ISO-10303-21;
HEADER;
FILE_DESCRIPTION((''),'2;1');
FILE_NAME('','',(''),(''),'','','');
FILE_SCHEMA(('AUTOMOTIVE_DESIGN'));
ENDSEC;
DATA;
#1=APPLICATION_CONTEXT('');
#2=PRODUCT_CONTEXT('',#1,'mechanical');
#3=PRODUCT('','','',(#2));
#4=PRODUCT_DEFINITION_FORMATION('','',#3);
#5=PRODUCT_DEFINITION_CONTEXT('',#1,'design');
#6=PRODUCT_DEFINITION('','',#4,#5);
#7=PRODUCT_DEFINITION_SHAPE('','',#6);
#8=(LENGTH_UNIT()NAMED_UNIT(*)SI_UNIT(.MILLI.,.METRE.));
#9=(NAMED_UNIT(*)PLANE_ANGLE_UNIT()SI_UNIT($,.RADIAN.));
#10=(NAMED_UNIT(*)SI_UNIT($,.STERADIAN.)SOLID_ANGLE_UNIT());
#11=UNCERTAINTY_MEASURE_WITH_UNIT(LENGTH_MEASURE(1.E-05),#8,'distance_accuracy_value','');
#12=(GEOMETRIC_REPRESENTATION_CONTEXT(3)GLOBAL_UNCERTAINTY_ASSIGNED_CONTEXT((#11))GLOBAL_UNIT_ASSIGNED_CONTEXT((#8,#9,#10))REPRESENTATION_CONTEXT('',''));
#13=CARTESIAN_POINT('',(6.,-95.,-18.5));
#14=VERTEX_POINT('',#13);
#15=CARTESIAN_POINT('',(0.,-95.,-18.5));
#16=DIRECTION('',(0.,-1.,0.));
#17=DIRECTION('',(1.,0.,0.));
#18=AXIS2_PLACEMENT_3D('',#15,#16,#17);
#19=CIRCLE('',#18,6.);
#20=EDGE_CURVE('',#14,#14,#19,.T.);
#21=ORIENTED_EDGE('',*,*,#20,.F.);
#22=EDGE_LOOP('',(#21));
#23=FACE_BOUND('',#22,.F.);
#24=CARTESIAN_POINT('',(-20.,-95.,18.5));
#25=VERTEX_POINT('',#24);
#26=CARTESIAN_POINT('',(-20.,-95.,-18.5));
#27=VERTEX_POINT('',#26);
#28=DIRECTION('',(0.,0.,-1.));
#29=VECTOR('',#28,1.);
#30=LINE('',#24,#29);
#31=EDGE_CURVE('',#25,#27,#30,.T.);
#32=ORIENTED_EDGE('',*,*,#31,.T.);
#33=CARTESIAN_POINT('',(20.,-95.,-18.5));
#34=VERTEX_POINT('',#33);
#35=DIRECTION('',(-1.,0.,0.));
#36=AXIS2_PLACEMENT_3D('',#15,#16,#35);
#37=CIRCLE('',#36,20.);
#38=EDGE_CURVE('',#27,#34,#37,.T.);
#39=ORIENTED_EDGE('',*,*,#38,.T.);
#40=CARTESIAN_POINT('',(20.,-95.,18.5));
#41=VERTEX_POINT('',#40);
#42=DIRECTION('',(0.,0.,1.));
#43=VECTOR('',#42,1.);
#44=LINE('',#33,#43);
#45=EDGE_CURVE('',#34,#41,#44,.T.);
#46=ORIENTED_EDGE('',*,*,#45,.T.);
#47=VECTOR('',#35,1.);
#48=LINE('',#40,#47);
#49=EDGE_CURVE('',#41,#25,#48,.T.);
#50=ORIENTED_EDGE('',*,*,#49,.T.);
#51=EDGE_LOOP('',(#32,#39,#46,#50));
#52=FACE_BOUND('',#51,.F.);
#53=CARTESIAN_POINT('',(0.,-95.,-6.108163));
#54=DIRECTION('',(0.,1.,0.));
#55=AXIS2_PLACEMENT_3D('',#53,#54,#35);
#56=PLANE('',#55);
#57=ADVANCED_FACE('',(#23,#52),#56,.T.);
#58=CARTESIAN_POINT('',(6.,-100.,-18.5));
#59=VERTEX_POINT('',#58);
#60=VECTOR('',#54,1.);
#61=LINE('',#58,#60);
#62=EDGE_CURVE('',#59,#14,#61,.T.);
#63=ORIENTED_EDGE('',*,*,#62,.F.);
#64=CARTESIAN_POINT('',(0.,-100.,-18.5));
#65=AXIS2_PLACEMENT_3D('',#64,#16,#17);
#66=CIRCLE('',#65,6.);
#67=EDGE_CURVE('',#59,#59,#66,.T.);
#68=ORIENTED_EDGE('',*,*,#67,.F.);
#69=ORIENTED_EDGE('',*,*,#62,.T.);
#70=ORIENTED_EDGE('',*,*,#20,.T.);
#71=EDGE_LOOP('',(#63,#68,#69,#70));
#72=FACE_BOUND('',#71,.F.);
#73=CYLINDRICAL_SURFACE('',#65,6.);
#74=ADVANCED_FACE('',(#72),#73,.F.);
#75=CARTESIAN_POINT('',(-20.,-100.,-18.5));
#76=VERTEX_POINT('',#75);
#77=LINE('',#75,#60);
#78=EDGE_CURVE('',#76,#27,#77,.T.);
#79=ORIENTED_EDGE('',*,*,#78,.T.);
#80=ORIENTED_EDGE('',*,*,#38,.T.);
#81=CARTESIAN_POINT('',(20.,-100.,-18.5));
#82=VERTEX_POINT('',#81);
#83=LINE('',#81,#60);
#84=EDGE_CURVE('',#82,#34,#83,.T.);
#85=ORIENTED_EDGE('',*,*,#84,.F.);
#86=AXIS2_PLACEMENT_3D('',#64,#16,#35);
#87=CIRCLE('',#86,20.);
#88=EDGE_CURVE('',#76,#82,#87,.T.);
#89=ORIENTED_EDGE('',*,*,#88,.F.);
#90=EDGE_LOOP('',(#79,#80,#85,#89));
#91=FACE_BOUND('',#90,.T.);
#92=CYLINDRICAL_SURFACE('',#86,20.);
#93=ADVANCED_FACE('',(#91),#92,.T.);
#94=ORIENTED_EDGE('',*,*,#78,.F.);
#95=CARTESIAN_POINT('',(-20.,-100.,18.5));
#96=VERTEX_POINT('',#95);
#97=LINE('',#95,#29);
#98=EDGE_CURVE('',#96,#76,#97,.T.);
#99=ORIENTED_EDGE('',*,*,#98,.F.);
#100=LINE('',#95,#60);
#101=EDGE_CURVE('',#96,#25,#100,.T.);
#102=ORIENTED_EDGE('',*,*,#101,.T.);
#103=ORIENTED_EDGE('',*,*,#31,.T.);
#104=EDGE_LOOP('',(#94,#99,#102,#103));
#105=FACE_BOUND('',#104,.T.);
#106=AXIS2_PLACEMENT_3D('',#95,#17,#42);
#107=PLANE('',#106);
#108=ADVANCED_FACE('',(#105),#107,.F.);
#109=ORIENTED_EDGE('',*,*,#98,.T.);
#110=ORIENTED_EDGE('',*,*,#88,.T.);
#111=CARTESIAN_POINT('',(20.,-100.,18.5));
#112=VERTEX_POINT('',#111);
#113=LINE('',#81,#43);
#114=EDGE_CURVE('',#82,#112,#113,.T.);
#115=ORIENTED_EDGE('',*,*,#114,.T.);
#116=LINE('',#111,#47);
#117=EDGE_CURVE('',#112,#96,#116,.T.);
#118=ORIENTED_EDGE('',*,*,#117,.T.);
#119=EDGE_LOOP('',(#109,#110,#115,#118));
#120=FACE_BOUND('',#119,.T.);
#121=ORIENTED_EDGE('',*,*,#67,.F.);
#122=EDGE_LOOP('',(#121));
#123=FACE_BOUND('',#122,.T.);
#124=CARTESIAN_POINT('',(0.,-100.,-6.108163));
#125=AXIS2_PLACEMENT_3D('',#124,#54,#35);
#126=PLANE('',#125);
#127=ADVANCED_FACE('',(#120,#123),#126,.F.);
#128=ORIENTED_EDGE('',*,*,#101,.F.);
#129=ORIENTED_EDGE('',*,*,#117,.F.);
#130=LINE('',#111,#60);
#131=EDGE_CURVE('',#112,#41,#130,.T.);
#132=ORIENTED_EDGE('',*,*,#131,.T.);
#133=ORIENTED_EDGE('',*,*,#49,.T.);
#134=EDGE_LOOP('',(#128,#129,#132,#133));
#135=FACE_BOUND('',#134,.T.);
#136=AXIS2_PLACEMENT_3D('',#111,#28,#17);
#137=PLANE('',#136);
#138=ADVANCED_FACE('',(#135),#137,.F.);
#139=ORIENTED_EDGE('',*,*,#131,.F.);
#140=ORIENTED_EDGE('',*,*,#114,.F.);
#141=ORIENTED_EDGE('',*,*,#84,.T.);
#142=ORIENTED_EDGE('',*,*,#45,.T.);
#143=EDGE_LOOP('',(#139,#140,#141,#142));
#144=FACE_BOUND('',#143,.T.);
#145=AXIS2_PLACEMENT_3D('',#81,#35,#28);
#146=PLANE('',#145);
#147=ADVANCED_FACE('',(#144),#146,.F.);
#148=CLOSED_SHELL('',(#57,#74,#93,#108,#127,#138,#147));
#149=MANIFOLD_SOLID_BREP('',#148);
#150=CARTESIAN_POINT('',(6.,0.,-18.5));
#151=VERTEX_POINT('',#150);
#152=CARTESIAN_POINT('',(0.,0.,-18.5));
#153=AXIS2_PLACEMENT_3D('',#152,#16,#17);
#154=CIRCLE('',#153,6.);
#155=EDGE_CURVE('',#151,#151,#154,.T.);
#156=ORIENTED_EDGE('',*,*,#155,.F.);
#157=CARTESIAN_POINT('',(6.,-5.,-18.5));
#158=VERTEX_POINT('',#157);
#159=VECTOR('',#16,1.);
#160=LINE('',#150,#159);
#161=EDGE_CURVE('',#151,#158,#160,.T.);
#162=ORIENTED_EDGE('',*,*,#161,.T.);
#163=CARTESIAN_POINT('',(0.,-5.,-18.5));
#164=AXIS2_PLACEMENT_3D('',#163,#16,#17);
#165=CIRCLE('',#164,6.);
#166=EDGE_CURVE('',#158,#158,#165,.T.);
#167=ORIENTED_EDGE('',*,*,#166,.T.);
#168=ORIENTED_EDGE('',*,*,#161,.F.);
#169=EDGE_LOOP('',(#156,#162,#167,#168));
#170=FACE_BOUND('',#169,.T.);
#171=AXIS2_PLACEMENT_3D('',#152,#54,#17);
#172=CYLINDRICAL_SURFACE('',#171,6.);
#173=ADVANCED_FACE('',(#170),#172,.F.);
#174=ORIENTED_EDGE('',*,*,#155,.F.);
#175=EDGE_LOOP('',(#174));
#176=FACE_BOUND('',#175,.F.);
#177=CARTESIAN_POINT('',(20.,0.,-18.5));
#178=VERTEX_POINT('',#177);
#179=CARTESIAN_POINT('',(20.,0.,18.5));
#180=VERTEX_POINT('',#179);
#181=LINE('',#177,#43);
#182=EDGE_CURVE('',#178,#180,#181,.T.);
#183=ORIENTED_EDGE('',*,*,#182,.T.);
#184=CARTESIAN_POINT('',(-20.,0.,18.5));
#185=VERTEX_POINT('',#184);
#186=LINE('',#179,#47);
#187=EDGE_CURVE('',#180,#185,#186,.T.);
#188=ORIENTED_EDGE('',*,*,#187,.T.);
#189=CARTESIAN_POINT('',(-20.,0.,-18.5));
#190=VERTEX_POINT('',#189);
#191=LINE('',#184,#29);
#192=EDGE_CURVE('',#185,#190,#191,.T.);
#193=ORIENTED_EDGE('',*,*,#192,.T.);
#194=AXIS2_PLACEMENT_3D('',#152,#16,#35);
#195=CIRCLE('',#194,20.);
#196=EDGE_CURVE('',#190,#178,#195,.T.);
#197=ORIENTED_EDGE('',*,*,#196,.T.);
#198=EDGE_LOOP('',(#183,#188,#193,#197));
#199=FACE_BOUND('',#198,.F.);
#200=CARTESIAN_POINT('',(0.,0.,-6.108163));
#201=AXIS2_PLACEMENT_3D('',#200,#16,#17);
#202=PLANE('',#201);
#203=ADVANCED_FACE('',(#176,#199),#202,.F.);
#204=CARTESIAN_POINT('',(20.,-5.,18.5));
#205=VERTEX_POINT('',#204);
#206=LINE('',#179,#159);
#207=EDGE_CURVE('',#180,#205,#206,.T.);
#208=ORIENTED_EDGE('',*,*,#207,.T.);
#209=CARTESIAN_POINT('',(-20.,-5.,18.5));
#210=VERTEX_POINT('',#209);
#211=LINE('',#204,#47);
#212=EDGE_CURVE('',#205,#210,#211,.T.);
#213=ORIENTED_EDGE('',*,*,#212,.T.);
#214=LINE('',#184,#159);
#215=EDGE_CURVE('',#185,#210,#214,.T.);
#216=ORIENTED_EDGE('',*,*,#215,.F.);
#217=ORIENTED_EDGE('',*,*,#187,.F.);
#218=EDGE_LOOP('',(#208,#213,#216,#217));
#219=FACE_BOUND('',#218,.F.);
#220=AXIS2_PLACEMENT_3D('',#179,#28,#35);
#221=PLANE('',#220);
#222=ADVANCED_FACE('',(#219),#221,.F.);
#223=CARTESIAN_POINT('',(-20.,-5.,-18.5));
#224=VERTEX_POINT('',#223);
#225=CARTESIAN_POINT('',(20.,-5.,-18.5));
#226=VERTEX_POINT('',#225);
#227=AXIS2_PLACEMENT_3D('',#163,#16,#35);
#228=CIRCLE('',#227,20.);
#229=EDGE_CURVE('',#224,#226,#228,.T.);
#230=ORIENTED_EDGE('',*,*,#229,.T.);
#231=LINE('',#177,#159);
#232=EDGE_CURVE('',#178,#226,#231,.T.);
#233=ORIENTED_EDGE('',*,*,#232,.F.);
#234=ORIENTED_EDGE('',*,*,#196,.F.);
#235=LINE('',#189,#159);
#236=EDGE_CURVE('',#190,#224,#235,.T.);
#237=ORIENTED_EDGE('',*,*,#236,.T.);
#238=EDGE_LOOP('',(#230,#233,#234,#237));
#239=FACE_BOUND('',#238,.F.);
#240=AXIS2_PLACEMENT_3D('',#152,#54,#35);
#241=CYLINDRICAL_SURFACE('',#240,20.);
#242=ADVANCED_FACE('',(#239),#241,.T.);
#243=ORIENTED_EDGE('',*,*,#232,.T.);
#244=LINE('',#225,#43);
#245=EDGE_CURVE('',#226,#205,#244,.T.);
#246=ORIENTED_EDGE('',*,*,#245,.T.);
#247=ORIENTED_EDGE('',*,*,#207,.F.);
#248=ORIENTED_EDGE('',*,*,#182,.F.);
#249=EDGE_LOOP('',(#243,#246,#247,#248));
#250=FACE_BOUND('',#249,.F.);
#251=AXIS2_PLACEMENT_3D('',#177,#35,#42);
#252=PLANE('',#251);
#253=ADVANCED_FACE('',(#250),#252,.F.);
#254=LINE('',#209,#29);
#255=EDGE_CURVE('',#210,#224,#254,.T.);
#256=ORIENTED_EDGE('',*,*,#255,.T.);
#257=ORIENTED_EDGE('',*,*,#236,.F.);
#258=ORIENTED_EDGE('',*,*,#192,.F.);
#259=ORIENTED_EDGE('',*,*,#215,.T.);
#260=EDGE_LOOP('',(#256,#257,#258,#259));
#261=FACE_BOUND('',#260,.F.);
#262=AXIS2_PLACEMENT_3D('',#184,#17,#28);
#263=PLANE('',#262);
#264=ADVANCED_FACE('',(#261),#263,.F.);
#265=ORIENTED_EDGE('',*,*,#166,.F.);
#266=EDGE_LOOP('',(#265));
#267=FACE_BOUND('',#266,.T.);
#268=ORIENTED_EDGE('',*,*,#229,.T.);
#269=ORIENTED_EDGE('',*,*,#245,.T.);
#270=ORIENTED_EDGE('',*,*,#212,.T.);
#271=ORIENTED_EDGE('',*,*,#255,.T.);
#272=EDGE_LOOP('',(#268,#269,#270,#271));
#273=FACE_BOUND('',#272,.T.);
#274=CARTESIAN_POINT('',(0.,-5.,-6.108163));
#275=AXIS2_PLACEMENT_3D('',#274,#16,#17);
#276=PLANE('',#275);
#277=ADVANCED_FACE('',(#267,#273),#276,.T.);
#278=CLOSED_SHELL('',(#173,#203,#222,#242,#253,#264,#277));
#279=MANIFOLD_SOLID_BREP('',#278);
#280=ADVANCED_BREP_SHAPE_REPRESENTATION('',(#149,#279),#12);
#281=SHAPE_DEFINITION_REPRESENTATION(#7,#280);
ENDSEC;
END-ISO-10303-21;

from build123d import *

# Parameters (mm, degrees)
F0_R     = 6
F1_DEPTH = 5


with BuildPart() as f1:
    # F0 (on Front) → F1 (new body)
    with BuildSketch(Plane.XZ):
        with BuildLine():
            Line((20, -18.5), (20, 18.5))
            Line((20, 18.5), (-20, 18.5))
            Line((-20, 18.5), (-20, -18.5))
            ThreePointArc((-20, -18.5), (0, -38.5), (20, -18.5))
        make_face()
        with Locations((0, -18.5)):
            Circle(F0_R, mode=Mode.SUBTRACT)
    extrude(amount=F1_DEPTH)


with BuildPart() as f3_1:
    # F3: instance of F1
    add(f1.part.mirror(Plane.XZ.offset(50)))


solid = Compound([f1.part, f3_1.part])
